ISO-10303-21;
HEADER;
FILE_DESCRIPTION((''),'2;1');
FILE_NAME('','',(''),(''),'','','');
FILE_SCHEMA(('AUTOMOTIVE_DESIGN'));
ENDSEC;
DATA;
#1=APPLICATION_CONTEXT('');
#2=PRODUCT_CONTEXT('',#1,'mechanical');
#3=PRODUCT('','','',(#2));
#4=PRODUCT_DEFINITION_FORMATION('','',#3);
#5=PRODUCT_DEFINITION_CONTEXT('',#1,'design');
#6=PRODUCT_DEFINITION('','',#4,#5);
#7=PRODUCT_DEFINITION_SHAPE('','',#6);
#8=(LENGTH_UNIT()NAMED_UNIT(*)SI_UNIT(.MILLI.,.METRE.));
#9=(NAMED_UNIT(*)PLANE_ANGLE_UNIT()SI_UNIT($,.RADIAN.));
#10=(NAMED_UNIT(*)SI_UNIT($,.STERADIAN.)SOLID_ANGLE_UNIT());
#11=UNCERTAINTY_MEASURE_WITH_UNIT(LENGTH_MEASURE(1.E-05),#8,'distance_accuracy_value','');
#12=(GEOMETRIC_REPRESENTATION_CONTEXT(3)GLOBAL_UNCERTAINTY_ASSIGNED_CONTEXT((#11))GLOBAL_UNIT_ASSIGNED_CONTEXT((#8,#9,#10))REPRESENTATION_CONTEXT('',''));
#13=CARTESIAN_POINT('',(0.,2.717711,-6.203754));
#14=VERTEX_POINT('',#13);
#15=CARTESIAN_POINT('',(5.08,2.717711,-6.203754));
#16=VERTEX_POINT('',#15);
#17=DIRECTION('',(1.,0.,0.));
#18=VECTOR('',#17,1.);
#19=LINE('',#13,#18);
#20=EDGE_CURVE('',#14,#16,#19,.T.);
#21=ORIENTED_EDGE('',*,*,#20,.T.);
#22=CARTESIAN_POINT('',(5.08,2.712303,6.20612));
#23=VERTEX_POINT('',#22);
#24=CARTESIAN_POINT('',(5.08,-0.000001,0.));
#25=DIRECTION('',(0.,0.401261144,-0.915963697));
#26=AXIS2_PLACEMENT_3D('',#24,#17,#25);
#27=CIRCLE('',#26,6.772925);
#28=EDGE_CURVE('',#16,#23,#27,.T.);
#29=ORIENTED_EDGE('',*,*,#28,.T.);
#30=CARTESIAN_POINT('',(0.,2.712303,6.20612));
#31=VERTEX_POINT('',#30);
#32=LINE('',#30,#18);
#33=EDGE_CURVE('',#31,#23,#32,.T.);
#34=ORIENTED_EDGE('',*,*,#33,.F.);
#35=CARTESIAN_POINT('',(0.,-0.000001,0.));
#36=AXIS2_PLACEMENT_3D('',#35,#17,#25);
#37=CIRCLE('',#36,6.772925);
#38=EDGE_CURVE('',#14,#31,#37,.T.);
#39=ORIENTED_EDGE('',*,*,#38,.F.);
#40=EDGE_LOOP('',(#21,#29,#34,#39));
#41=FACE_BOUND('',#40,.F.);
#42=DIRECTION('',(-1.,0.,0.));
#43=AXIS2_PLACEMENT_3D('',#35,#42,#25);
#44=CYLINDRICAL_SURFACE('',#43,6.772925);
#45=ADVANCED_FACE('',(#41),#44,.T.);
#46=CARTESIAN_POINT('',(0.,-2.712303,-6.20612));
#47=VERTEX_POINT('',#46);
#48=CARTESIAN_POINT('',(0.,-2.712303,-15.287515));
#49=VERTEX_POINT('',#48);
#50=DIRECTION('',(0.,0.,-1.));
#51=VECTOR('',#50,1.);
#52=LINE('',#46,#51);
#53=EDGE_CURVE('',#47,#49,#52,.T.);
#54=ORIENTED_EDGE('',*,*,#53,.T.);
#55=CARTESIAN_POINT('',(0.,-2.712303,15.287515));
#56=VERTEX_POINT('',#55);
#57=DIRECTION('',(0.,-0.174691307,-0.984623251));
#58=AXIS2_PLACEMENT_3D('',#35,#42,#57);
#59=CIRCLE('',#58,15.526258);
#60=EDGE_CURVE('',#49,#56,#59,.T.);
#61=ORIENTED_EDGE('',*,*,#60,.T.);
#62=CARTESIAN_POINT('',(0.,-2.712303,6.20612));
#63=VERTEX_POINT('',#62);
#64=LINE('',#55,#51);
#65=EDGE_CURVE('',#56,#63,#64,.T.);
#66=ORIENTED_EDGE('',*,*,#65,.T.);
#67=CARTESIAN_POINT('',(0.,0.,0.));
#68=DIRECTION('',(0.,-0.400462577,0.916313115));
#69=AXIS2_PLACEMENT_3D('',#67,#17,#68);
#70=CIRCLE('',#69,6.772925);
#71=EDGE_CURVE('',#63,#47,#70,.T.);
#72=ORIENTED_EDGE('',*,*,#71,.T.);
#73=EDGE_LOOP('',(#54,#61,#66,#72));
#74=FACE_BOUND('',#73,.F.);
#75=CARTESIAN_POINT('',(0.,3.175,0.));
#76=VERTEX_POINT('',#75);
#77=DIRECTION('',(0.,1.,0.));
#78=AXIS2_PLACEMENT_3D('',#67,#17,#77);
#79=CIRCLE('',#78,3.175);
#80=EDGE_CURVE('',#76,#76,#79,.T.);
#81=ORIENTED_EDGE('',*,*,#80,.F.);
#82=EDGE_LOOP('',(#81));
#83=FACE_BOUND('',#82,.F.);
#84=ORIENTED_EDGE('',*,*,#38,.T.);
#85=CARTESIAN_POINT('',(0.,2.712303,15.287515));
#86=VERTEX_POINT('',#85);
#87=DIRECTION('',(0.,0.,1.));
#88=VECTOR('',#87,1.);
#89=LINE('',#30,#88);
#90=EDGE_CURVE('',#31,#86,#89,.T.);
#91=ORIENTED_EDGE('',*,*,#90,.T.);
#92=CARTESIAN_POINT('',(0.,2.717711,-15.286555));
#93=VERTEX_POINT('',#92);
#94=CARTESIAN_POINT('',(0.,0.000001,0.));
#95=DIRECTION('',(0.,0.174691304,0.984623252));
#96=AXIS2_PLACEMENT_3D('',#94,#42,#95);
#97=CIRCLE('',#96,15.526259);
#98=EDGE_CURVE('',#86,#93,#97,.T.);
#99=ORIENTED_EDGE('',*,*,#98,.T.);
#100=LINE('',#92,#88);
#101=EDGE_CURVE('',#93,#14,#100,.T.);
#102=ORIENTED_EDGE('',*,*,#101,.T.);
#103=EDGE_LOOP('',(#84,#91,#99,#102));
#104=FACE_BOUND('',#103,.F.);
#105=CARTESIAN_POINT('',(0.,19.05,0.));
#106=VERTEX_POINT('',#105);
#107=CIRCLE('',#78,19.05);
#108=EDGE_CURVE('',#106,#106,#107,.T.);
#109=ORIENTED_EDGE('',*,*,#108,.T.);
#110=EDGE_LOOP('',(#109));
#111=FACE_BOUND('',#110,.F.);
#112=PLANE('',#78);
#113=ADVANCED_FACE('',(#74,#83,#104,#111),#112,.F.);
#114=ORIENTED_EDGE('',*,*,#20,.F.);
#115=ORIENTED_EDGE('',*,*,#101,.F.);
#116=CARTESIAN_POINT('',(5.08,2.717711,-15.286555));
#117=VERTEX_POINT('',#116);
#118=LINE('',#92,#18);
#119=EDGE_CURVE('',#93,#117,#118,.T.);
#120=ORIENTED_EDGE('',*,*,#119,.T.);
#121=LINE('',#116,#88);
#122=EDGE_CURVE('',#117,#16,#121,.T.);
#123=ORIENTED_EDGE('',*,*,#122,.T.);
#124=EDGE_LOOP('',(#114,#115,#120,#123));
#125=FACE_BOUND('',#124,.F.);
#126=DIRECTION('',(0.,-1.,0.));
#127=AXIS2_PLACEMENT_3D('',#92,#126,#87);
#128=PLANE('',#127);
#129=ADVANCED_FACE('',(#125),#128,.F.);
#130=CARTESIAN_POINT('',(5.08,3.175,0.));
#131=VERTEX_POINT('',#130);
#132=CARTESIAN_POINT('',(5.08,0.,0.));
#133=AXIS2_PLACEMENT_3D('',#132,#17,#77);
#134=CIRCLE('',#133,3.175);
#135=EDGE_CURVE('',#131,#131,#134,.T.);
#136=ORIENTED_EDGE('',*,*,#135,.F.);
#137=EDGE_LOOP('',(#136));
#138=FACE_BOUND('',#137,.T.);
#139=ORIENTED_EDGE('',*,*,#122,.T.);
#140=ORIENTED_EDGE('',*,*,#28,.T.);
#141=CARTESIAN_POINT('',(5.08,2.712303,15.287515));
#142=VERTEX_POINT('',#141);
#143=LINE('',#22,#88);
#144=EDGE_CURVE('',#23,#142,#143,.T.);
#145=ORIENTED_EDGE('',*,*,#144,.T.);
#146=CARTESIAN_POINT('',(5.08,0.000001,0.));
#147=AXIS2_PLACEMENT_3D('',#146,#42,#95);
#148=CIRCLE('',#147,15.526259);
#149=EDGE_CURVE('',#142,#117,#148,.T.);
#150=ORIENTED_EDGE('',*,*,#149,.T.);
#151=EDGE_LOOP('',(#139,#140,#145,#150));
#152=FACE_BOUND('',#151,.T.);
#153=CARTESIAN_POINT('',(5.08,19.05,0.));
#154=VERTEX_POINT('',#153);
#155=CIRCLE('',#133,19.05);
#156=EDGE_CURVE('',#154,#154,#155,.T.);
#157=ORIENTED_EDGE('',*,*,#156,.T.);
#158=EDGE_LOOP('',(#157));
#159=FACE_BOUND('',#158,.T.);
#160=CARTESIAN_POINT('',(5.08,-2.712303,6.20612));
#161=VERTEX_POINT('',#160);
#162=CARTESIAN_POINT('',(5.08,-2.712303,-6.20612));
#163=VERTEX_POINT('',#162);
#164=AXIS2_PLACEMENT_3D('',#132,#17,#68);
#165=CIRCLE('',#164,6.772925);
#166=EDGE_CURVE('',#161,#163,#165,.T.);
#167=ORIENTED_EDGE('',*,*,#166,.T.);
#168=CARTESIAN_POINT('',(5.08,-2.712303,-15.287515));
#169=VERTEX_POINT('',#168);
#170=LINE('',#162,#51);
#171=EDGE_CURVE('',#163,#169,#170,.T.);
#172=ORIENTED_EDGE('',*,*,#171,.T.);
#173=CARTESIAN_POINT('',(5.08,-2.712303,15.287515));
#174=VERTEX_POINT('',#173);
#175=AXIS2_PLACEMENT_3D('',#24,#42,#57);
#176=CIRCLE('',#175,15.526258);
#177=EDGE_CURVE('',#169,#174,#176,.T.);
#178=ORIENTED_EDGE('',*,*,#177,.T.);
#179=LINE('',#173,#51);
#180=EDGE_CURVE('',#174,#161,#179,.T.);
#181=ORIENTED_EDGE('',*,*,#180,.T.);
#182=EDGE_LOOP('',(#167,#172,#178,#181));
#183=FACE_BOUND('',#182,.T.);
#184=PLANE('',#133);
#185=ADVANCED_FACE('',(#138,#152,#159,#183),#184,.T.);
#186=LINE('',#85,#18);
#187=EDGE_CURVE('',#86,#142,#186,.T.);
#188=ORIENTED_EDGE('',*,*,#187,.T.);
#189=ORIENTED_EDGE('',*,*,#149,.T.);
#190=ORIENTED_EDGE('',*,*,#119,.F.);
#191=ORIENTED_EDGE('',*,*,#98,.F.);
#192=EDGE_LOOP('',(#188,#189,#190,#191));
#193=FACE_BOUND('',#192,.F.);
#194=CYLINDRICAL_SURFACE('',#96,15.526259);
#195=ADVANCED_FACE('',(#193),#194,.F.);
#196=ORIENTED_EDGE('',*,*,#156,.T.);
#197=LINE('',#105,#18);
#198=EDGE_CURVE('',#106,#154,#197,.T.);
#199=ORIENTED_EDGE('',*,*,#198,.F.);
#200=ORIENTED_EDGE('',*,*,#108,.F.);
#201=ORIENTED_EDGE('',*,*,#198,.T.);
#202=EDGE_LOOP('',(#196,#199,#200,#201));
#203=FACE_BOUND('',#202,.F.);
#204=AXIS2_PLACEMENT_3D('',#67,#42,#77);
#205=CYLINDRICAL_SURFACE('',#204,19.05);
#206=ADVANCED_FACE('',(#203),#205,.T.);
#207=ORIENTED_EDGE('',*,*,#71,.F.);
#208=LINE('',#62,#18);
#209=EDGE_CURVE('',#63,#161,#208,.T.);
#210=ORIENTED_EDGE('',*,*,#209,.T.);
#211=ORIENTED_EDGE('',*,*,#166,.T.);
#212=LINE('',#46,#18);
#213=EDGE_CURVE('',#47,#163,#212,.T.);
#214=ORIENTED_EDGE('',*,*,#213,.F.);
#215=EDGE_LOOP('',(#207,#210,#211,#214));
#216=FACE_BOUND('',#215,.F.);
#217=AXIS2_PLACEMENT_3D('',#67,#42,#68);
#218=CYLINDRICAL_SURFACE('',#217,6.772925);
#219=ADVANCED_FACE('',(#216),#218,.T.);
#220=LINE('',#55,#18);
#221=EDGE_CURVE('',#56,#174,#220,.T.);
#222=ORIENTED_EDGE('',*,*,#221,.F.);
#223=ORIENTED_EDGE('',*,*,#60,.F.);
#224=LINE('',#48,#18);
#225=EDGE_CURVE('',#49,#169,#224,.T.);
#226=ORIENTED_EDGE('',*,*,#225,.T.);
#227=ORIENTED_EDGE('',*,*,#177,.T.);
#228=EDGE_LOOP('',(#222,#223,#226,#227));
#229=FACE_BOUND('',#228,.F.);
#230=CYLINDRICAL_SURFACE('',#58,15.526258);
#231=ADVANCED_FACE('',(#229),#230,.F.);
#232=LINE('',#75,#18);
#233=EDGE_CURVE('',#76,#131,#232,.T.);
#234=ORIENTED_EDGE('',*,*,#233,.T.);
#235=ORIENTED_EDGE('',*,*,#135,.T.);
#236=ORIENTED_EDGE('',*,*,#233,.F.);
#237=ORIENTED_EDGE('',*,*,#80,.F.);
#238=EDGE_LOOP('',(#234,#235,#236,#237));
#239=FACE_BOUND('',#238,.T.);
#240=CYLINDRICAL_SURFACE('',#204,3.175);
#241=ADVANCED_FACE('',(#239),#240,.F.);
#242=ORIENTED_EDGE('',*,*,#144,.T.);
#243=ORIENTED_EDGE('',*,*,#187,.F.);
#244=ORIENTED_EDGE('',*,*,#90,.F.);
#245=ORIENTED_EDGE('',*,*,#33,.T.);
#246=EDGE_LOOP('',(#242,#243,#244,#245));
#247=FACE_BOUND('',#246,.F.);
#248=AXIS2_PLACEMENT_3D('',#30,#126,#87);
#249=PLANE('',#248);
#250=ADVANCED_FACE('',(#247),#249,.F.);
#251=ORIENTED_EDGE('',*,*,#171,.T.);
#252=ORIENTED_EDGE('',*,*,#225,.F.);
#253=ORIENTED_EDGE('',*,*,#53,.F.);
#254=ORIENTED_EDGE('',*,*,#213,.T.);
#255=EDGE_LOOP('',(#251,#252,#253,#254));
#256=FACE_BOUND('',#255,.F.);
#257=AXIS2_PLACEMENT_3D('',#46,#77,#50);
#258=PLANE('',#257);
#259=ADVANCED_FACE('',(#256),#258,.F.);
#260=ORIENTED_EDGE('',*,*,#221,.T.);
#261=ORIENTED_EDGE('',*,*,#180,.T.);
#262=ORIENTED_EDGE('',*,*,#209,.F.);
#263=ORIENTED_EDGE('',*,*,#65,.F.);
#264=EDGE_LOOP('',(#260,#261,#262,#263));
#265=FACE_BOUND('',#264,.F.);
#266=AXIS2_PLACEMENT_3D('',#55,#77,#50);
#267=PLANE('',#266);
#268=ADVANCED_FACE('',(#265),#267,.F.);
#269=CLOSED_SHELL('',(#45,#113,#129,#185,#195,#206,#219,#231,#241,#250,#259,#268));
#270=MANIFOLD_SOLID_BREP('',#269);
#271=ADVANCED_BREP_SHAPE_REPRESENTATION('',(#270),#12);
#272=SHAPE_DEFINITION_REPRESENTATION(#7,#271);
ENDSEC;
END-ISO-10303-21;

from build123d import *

# Parameters (mm, degrees)
F0_R     = 19.05
F0_R_2   = 3.175
F1_DEPTH = 5.08


with BuildPart() as f1:
    # F0 (on Right) → F1 (new body)
    with BuildSketch(Plane.YZ):
        Circle(F0_R)
        with BuildLine():
            ThreePointArc((-2.712303, -15.287515), (-15.526259, 0), (-2.712303, 15.287515))
            Line((-2.712303, 15.287515), (-2.712303, 6.20612))
            ThreePointArc((-2.712303, 6.20612), (-6.772925, 0), (-2.712303, -6.20612))
            Line((-2.712303, -6.20612), (-2.712303, -15.287515))
        make_face(mode=Mode.SUBTRACT)
        Circle(F0_R_2, mode=Mode.SUBTRACT)
        with BuildLine():
            Line((2.712303, 6.20612), (2.712303, 15.287515))
            ThreePointArc((2.712303, 15.287515), (15.526259, 0.002746), (2.717711, -15.286555))
            Line((2.717711, -15.286555), (2.717711, -6.203754))
            ThreePointArc((2.717711, -6.203754), (6.772924, 0.002951), (2.712303, 6.20612))
        make_face(mode=Mode.SUBTRACT)
    extrude(amount=F1_DEPTH)


solid = f1.part
